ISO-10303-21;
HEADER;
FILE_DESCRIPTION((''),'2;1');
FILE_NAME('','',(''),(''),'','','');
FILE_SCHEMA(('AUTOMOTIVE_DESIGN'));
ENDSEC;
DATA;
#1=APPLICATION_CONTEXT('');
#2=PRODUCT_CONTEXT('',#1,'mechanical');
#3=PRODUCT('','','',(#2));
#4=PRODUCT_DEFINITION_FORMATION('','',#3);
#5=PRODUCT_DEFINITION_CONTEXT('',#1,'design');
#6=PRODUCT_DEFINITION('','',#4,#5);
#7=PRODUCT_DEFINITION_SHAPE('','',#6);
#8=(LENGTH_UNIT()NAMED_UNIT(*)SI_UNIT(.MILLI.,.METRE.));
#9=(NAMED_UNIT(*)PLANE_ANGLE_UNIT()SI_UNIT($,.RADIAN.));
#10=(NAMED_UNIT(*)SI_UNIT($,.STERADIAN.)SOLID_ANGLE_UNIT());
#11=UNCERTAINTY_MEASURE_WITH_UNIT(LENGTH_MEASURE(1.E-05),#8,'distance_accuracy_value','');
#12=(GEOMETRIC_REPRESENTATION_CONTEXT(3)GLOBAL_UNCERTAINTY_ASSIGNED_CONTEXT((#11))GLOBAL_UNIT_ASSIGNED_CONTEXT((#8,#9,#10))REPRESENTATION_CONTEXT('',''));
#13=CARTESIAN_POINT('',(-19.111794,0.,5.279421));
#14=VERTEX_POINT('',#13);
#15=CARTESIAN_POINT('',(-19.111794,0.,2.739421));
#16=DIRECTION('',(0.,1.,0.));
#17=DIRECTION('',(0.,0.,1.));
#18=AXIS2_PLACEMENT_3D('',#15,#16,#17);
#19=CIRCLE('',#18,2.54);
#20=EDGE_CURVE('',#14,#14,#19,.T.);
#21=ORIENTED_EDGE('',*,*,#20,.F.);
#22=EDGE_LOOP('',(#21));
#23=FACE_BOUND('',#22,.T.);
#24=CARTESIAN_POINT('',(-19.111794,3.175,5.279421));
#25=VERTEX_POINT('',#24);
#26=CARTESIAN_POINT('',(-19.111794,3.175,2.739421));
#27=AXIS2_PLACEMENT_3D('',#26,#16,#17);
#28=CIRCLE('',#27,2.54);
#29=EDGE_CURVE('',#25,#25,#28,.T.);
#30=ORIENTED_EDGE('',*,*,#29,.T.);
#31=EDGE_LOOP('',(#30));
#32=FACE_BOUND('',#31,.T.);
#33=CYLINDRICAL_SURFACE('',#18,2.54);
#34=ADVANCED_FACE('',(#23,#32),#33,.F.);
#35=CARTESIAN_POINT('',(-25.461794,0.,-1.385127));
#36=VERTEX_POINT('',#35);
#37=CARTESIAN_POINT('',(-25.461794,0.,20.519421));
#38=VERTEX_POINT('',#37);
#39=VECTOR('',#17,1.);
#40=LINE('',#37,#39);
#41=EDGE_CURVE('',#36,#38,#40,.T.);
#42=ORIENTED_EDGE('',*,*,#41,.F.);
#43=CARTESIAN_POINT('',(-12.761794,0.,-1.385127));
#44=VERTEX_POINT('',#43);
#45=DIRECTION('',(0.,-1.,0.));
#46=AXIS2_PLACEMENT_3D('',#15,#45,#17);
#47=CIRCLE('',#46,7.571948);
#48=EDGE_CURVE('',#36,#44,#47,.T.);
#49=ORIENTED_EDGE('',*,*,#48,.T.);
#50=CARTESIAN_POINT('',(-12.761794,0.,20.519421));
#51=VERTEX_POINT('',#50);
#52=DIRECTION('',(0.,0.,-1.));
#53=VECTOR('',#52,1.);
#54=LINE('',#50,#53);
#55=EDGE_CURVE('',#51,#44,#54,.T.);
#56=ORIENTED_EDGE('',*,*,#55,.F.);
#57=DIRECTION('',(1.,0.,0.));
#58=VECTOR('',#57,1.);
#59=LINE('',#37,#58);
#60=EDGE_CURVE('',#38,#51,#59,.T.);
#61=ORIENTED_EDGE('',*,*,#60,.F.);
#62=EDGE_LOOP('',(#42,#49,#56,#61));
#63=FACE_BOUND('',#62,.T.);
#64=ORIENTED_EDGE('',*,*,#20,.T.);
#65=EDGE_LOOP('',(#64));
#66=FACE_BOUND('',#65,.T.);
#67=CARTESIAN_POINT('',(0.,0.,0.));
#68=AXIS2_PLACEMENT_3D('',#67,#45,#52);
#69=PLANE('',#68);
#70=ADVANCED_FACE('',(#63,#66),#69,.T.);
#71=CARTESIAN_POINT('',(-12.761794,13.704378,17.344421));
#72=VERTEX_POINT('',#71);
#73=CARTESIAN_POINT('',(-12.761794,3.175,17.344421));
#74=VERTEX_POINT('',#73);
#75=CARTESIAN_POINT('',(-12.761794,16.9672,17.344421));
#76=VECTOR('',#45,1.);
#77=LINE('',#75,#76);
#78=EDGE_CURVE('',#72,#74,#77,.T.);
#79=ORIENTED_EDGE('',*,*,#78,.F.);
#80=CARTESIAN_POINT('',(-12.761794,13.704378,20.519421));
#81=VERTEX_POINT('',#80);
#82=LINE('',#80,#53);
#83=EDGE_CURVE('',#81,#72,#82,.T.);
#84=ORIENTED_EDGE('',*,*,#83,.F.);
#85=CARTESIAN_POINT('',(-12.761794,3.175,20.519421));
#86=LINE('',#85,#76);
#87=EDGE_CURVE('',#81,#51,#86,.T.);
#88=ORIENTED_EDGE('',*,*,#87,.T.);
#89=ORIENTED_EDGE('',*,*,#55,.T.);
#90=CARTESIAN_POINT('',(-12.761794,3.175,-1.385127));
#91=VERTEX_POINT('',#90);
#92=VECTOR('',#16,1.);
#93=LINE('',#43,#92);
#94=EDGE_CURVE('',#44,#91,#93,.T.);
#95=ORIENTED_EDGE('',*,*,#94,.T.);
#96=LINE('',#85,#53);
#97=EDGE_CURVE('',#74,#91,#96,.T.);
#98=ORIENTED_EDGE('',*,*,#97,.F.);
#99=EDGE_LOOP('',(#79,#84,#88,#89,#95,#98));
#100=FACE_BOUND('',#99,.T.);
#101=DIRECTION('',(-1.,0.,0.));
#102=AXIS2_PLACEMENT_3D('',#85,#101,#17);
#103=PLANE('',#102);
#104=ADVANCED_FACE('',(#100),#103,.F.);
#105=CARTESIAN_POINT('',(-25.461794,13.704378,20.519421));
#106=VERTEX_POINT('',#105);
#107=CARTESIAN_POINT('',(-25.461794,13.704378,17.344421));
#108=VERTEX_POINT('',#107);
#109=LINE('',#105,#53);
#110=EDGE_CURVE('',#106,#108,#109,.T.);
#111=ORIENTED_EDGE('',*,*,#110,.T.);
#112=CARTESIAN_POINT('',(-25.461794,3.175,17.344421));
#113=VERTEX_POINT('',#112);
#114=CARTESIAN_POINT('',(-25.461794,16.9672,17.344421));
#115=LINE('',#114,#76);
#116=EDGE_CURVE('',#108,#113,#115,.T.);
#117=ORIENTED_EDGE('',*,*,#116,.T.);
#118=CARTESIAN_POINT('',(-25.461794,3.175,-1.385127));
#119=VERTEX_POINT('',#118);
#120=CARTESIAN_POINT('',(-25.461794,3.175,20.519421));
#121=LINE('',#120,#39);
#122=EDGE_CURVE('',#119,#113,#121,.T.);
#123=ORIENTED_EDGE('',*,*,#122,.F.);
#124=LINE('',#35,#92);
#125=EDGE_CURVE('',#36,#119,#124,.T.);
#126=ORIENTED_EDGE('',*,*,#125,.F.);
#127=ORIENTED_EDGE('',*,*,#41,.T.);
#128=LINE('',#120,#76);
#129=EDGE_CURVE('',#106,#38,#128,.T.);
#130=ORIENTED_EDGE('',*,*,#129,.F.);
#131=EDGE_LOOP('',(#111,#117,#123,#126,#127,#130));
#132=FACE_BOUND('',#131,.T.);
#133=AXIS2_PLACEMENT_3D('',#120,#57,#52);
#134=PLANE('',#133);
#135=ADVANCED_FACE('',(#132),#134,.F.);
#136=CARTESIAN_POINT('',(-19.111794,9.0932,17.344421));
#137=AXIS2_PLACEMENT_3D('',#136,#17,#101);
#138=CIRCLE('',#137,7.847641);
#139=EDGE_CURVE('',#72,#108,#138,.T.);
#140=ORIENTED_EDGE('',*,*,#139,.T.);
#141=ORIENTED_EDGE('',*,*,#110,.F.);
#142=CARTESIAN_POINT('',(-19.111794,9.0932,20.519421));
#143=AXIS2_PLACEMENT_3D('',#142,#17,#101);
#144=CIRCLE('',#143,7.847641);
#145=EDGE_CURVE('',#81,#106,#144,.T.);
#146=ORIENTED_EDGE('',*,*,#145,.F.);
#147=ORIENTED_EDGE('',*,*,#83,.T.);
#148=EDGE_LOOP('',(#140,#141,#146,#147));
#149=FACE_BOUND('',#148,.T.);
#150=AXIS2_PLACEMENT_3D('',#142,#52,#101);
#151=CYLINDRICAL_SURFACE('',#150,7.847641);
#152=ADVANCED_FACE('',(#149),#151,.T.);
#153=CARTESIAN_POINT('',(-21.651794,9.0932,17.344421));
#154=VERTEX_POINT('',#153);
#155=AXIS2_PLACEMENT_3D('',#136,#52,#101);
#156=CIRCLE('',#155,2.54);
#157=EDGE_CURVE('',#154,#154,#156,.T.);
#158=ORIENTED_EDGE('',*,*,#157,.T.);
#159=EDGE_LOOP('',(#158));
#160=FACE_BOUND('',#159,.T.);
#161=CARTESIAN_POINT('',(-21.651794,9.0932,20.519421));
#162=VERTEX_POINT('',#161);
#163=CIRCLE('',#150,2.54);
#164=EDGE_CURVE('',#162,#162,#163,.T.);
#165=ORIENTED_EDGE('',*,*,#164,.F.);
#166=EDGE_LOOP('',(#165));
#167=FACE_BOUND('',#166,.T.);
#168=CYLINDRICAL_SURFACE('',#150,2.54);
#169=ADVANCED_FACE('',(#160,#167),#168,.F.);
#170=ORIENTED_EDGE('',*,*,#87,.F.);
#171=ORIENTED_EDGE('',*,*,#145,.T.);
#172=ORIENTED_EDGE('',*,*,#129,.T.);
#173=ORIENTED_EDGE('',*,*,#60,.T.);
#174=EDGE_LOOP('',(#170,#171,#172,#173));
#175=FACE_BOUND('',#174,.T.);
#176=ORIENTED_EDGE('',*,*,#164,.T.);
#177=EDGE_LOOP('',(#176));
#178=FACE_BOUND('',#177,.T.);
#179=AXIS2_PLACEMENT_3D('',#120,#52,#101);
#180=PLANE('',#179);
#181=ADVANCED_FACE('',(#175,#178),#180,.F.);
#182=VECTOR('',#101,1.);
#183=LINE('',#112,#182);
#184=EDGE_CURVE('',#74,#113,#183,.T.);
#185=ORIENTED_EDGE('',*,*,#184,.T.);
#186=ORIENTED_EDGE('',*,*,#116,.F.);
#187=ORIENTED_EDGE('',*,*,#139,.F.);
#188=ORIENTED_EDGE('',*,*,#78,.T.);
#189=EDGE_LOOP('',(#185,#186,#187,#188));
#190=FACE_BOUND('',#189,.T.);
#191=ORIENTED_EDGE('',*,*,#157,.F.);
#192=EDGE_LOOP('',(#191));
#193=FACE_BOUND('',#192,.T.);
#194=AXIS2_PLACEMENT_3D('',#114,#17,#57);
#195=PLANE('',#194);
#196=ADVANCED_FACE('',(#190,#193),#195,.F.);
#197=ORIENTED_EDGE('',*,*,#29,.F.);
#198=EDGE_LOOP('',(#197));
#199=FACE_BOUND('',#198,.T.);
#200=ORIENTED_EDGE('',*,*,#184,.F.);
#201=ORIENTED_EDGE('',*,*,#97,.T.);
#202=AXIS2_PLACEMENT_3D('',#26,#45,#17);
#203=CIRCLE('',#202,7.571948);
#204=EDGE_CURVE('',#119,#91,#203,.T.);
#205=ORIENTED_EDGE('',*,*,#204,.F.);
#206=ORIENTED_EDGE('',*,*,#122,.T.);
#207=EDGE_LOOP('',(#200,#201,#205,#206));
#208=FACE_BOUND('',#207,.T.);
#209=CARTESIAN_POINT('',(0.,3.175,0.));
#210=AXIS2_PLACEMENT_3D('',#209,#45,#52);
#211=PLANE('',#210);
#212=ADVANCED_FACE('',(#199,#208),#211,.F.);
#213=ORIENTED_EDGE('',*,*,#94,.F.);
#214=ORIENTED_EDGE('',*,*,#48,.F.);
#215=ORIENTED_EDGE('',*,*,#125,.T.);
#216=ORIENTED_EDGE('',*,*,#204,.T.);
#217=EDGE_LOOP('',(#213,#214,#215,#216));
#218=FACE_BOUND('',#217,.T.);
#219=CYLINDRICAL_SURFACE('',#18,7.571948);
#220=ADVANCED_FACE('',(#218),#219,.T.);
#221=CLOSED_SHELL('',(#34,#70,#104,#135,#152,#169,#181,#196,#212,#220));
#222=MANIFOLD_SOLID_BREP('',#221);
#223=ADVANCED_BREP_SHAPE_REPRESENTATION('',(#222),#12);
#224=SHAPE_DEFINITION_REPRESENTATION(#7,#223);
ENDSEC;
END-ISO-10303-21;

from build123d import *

# Parameters (mm, degrees)
SKETCH1_W           = 12.7
SKETCH1_H           = 25.4
BOSS_EXTRUDE1_DEPTH = 3.175
SKETCH2_W           = 12.7
SKETCH2_H           = 3.175
BOSS_EXTRUDE2_DEPTH = 13.7922
SKETCH3_R           = 2.54
CUT_EXTRUDE1_DEPTH  = 4.175
CUT_EXTRUDE2_DEPTH  = 4.175
SKETCH5_R           = 2.54
CUT_EXTRUDE3_DEPTH  = 4.175
CUT_EXTRUDE4_DEPTH  = 4.175


with BuildPart() as part:
    # Sketch1 → Boss-Extrude1 (new body)
    with BuildSketch(Plane(origin=(0, 0, 0), x_dir=(1, 0, 0), z_dir=(0, 1, 0))):
        with Locations((-19.111794294, -7.819421488)):
            Rectangle(SKETCH1_W, SKETCH1_H)
    extrude(amount=BOSS_EXTRUDE1_DEPTH)

    # Sketch2 → Boss-Extrude2 (add)
    with BuildSketch(Plane(origin=(0, 3.175, 0), x_dir=(1, 0, 0), z_dir=(0, 1, 0))):
        with Locations((-19.111794294, -18.931921488)):
            Rectangle(SKETCH2_W, SKETCH2_H)
    extrude(amount=BOSS_EXTRUDE2_DEPTH)

    # Sketch3 → Cut-Extrude1 (cut, through all)
    with BuildSketch(Plane(origin=(0, 3.175, 0), x_dir=(1, 0, 0), z_dir=(0, 1, 0))):
        with Locations((-19.111794294, -2.739421488)):
            Circle(SKETCH3_R)
    extrude(amount=-CUT_EXTRUDE1_DEPTH, mode=Mode.SUBTRACT)

    # Sketch4 → Cut-Extrude2 (cut, through all)
    with BuildSketch(Plane(origin=(0, 3.175, 0), x_dir=(1, 0, 0), z_dir=(0, 1, 0))):
        with BuildLine():
            Line((-25.461794294, 4.880578512), (-12.761794294, 4.880578512))
            Line((-12.761794294, 4.880578512), (-12.761794294, 1.385127101))
            ThreePointArc((-12.761794294, 1.385127101), (-19.111794294, 4.832526813), (-25.461794294, 1.385127101))
            Line((-25.461794294, 1.385127101), (-25.461794294, 4.880578512))
        make_face()
    extrude(amount=-CUT_EXTRUDE2_DEPTH, mode=Mode.SUBTRACT)

    # Sketch5 → Cut-Extrude3 (cut, through all)
    with BuildSketch(Plane(origin=(0, 0, 17.344421488), x_dir=(-1, 0, 0), z_dir=(0, 0, -1))):
        with Locations((19.111794294, 9.0932)):
            Circle(SKETCH5_R)
    extrude(amount=-CUT_EXTRUDE3_DEPTH, mode=Mode.SUBTRACT)

    # Sketch6 → Cut-Extrude4 (cut, through all)
    with BuildSketch(Plane(origin=(0, 0, 17.344421488), x_dir=(-1, 0, 0), z_dir=(0, 0, -1))):
        with BuildLine():
            Line((25.461794294, 16.9672), (12.761794294, 16.9672))
            Line((12.761794294, 16.9672), (12.761794294, 13.704377903))
            ThreePointArc((12.761794294, 13.704377903), (19.111794294, 16.940840515), (25.461794294, 13.704377903))
            Line((25.461794294, 13.704377903), (25.461794294, 16.9672))
        make_face()
    extrude(amount=-CUT_EXTRUDE4_DEPTH, mode=Mode.SUBTRACT)


solid = part.part
